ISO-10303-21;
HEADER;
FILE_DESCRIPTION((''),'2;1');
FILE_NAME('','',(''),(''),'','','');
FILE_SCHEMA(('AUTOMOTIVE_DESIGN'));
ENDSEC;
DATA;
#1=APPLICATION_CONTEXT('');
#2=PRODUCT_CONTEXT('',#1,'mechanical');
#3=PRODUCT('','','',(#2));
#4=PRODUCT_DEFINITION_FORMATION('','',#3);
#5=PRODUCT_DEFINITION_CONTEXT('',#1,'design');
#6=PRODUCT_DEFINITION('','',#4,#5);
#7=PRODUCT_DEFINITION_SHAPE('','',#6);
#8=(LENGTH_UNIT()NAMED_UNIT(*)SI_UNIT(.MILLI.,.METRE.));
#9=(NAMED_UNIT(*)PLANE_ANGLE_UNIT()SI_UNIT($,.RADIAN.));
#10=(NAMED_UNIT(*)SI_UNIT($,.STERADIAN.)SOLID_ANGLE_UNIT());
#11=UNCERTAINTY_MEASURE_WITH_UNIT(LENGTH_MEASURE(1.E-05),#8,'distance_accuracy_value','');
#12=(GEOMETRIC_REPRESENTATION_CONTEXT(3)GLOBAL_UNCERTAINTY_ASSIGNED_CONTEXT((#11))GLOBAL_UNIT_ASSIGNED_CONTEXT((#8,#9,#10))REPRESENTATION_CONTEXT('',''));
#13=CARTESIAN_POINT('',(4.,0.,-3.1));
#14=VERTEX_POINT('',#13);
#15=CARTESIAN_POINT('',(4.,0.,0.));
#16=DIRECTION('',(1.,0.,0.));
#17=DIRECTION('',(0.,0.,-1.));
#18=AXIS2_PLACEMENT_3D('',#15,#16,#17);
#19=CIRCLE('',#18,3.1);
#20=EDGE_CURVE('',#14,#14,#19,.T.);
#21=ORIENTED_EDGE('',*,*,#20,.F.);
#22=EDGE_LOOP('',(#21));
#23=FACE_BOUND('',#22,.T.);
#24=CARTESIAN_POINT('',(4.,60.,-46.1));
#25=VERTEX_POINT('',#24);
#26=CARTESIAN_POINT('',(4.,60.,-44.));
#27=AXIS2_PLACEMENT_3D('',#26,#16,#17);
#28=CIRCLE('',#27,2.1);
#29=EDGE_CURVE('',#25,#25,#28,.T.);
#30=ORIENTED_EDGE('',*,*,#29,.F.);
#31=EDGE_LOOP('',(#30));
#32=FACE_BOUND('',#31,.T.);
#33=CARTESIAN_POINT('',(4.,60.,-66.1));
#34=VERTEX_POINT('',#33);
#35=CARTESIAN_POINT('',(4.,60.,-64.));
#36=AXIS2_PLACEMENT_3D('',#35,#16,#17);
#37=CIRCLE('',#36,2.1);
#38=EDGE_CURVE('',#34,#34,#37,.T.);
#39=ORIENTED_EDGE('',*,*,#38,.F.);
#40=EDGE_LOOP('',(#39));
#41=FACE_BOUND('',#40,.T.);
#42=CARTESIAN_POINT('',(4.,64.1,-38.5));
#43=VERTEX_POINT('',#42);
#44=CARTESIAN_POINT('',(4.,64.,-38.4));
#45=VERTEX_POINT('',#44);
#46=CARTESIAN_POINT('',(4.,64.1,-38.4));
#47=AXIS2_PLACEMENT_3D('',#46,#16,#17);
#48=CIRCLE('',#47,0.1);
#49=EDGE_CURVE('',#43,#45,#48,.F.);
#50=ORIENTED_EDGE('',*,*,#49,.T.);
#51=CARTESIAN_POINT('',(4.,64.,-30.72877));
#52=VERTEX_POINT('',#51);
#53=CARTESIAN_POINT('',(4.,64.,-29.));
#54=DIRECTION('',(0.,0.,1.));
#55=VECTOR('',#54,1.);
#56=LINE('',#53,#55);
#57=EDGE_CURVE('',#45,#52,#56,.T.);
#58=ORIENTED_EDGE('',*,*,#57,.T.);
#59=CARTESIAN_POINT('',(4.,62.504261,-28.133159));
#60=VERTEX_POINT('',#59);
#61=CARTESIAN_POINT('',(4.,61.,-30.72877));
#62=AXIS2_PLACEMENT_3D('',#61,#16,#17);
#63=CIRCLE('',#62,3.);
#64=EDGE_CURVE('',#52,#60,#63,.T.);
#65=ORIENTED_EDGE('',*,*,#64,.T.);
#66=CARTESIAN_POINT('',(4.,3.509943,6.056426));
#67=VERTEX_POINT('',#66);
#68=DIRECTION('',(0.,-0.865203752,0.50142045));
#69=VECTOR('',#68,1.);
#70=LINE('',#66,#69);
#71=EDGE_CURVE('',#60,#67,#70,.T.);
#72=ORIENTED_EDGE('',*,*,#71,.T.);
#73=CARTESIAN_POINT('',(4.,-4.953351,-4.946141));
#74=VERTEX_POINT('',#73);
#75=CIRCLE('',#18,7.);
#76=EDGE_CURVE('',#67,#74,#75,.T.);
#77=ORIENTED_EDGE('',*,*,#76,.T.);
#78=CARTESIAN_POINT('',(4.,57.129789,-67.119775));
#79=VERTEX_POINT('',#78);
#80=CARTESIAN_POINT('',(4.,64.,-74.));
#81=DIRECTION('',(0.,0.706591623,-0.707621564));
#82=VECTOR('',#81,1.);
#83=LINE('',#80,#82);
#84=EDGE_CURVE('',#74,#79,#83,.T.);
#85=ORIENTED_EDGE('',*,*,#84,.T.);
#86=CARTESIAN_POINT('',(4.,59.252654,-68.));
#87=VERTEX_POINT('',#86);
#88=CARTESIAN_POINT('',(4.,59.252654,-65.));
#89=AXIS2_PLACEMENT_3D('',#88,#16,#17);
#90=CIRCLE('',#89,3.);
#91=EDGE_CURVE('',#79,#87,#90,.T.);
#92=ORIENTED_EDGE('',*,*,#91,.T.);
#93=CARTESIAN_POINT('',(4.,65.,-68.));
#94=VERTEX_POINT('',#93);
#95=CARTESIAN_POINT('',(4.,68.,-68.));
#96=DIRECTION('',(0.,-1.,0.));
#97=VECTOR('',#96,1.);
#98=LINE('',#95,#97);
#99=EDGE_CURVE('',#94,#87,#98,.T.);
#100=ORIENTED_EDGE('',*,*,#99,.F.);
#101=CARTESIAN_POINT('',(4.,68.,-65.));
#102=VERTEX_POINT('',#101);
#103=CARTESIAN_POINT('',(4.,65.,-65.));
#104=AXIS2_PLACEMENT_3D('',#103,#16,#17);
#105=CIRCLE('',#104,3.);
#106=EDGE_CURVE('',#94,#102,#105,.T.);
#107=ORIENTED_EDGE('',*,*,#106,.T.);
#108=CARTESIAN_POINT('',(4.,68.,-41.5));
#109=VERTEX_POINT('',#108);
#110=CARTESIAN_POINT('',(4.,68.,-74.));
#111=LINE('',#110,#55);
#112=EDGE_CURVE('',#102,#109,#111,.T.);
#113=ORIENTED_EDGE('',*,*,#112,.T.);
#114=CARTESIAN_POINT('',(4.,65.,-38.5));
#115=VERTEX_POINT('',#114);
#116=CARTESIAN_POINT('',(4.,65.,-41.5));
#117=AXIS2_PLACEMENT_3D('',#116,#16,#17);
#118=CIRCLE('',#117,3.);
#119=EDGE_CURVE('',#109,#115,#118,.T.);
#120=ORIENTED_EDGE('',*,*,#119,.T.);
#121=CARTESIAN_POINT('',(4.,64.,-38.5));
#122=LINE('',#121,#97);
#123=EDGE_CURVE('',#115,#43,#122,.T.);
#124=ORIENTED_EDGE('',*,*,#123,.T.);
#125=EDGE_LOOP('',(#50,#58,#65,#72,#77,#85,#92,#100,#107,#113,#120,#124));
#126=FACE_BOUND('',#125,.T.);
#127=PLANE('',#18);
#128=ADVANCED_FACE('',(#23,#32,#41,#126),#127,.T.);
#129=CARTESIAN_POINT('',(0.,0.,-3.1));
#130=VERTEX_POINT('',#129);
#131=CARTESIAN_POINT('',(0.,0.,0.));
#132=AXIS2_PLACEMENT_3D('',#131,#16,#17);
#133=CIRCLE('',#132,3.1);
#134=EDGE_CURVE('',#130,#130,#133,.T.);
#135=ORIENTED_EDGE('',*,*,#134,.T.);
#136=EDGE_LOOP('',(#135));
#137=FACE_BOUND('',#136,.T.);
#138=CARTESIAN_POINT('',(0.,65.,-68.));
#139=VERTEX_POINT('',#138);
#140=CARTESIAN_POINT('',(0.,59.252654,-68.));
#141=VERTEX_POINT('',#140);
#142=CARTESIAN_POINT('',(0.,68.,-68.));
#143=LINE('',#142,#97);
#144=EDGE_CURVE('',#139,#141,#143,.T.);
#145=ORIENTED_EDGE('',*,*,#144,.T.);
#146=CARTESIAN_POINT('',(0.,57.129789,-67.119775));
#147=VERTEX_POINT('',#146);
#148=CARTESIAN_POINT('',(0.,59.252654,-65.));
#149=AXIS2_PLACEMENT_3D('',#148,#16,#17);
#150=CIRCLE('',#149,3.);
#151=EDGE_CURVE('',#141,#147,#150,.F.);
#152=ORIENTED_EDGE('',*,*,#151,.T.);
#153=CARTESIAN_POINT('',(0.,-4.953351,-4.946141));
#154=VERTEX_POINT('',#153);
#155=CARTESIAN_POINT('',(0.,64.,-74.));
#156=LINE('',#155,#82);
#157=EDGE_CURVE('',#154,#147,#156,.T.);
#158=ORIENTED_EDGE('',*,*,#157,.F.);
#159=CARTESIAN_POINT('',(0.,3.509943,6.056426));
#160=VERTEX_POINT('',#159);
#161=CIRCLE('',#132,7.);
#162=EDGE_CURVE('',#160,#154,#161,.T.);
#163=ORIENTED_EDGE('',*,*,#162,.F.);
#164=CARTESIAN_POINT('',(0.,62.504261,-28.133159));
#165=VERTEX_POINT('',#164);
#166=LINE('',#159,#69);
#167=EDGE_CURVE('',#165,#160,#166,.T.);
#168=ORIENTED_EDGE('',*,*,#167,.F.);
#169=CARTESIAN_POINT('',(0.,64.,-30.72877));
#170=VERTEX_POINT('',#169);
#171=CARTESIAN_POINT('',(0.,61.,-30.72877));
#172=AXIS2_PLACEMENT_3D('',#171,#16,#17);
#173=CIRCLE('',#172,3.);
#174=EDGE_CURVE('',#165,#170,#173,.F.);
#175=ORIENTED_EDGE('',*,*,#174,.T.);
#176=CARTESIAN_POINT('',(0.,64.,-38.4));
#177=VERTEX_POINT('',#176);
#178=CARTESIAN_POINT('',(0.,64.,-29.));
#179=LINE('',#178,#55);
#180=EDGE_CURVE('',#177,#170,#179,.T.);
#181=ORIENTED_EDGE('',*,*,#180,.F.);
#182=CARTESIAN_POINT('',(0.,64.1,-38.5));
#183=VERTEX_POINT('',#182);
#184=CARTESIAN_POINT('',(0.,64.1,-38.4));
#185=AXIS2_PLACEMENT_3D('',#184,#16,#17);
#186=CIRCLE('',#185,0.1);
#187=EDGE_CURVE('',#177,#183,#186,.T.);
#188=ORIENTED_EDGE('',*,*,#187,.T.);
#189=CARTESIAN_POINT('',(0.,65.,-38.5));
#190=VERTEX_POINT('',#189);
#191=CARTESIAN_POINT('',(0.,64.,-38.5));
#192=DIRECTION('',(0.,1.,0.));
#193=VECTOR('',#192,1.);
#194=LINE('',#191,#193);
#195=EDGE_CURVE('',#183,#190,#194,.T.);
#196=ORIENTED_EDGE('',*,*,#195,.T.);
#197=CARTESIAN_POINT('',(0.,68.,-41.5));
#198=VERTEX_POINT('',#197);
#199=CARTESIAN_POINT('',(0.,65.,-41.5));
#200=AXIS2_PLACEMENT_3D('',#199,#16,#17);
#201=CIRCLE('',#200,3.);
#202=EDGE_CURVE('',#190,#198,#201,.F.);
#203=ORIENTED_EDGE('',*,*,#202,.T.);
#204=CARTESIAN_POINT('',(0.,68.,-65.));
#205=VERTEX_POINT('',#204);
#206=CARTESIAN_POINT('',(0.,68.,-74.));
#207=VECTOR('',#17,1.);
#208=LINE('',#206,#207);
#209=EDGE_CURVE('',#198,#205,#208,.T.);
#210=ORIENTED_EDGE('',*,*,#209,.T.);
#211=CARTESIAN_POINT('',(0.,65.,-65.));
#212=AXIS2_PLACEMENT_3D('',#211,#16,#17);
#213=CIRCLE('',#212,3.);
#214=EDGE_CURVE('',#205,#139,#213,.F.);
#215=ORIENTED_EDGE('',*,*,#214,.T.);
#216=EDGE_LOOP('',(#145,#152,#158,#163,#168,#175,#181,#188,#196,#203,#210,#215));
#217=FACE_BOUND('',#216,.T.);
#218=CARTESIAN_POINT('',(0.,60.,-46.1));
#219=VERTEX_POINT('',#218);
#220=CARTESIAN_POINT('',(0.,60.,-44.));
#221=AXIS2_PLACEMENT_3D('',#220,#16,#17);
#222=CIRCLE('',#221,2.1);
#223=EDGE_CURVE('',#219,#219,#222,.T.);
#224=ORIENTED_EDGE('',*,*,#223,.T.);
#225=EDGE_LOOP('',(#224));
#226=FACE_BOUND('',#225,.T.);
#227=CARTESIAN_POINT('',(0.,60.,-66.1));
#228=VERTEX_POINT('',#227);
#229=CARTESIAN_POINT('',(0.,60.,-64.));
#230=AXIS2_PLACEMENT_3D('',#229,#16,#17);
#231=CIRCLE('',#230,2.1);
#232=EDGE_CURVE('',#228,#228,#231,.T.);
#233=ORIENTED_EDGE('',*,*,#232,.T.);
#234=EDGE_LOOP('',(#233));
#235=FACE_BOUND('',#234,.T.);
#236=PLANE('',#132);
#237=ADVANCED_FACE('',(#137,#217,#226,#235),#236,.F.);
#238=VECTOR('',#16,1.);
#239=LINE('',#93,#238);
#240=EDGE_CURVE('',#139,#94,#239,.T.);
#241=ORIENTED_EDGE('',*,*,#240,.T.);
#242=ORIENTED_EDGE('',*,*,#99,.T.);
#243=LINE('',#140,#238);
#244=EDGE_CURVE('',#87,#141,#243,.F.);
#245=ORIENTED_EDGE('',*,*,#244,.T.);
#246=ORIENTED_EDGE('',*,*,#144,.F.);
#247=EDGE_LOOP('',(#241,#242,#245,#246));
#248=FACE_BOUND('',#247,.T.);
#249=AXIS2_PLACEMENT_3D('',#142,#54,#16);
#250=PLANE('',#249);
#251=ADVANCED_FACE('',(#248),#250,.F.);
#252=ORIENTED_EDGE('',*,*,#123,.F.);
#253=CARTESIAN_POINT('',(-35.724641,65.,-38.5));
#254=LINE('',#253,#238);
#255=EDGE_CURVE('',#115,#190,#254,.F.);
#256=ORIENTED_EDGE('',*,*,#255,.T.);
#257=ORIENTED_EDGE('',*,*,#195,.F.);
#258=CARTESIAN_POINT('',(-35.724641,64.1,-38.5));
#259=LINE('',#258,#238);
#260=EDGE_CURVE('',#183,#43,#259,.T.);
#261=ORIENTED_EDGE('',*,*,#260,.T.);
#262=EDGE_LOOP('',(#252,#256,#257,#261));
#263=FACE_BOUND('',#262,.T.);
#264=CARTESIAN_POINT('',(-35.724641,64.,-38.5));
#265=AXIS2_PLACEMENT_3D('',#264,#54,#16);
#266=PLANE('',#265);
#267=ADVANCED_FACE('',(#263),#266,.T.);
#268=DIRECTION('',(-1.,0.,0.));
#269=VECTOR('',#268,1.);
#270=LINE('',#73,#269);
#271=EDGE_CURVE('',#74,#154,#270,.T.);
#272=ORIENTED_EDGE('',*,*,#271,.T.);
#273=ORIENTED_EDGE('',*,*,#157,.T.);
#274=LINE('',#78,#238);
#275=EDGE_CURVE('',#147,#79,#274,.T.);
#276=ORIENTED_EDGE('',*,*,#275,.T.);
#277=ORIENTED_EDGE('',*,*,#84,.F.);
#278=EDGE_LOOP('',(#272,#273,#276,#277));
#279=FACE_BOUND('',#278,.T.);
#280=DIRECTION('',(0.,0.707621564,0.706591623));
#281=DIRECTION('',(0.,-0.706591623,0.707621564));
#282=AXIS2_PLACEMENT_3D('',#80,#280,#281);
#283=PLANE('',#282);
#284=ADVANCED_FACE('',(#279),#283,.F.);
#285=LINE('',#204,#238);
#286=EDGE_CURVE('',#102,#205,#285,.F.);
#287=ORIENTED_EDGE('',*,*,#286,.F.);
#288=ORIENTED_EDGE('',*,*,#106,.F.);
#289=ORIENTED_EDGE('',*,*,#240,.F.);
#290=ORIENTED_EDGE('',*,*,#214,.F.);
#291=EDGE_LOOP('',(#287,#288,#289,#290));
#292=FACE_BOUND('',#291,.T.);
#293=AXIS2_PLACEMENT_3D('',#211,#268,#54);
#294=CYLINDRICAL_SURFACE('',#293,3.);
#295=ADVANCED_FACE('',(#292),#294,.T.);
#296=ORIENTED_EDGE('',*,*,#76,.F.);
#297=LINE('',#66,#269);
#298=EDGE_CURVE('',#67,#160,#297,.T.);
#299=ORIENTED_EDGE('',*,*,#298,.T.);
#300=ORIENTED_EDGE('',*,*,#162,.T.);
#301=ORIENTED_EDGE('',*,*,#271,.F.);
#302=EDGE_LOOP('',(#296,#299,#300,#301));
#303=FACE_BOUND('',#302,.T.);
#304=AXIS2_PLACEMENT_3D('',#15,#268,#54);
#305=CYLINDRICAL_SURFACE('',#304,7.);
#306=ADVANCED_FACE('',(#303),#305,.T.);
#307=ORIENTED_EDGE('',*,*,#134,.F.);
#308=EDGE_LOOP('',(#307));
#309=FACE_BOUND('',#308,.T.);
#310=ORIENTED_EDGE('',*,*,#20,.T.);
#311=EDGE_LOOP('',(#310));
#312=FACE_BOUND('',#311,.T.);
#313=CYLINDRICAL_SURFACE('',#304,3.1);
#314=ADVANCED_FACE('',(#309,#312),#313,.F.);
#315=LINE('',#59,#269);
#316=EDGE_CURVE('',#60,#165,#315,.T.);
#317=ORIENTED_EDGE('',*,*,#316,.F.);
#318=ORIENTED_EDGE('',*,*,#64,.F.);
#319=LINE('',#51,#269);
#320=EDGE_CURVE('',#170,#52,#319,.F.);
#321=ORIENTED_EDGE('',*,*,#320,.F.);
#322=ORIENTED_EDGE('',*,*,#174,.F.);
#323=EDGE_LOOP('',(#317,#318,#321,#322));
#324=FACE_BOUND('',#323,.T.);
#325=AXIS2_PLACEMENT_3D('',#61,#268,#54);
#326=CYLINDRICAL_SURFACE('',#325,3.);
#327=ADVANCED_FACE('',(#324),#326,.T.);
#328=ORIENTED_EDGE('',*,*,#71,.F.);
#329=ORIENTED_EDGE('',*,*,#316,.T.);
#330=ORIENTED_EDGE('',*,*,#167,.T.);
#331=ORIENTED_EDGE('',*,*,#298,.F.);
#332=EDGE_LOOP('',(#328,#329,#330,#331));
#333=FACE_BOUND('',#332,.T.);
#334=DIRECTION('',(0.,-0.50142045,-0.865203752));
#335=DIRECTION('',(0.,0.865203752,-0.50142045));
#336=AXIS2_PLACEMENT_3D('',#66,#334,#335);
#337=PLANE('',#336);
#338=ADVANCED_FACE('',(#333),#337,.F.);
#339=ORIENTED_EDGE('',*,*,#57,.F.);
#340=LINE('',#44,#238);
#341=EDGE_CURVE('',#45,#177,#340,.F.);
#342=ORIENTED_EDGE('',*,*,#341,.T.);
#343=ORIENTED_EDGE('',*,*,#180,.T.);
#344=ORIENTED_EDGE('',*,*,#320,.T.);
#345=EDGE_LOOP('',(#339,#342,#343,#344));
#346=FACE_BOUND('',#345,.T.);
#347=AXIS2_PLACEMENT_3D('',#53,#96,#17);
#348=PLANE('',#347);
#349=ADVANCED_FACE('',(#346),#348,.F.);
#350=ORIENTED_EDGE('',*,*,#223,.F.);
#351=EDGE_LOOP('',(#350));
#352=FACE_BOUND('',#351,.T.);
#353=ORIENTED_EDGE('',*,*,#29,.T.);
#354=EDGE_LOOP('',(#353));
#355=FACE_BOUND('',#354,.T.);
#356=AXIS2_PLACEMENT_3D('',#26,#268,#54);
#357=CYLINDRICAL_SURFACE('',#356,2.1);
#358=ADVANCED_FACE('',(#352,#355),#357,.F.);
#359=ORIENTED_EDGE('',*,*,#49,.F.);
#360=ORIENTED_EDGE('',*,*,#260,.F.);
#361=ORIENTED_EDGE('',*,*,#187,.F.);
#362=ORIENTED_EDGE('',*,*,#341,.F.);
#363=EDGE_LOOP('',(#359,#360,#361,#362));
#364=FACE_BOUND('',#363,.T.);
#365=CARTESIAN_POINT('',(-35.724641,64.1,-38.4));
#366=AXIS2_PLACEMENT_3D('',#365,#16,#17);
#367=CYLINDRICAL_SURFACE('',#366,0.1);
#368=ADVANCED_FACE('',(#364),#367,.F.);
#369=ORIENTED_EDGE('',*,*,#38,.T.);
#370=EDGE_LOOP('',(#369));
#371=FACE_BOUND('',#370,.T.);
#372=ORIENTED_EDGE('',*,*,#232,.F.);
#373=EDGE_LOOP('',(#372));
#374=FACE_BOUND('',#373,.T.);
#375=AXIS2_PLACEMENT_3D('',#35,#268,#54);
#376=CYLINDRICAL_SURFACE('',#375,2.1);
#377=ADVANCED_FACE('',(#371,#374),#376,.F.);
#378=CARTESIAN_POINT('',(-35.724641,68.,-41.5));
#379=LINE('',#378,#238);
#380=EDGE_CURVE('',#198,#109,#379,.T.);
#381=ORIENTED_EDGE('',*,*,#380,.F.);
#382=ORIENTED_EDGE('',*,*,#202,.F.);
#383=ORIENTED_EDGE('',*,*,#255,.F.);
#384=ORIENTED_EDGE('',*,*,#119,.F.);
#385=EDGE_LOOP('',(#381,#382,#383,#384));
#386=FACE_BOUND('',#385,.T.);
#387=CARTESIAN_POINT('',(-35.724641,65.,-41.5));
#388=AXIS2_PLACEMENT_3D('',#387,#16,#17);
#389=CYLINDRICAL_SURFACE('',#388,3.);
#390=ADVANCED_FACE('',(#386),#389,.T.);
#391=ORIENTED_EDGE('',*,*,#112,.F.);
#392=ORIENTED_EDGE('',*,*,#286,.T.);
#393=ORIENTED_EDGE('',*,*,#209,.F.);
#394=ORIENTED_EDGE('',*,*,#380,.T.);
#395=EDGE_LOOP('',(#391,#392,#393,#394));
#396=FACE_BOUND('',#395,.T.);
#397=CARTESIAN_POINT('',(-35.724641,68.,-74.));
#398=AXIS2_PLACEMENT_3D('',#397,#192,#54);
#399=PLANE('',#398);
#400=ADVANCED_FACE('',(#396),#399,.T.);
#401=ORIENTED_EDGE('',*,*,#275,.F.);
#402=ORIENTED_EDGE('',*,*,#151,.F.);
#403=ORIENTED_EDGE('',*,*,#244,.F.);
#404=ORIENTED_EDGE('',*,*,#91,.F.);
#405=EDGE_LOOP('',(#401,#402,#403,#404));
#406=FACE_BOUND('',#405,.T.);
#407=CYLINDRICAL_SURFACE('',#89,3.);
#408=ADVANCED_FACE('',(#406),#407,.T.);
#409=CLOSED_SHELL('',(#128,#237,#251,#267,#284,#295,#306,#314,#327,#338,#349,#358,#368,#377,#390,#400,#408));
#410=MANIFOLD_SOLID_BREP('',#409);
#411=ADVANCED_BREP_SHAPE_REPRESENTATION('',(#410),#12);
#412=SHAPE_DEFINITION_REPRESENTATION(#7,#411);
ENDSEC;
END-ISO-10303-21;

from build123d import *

# Parameters (mm, degrees)
SKETCH_1_R          = 3.1
SKETCH_1_R_2        = 2.1
EXTRUDE_1_DEPTH     = 4
SKETCH_2_W          = 35.5
SKETCH_2_H          = 4
EXTRUDE_2_DEPTH     = 4
CUT_EXTRUDE_1_DEPTH = 5
FILLET_1_R          = 3
FILLET_2_R          = 0.1


with BuildPart() as part:
    # 草图1 → 凸台-拉伸1 (new body)
    with BuildSketch(Plane(origin=(0, 0, 0), x_dir=(0, 0, -1), z_dir=(1, 0, 0))):
        with BuildLine():
            Line((-6.056426263, 3.50994315), (29, 64))
            Line((29, 64), (74, 64))
            Line((74, 64), (4.946141362, -4.95335095))
            ThreePointArc((4.946141362, -4.95335095), (-4.267905798, -5.548421406), (-6.056426263, 3.50994315))
        make_face()
        Circle(SKETCH_1_R, mode=Mode.SUBTRACT)
        with Locations((44, 60)):
            Circle(SKETCH_1_R_2, mode=Mode.SUBTRACT)
        with Locations((64, 60)):
            Circle(SKETCH_1_R_2, mode=Mode.SUBTRACT)
    extrude(amount=EXTRUDE_1_DEPTH)

    # 草图2 → 凸台-拉伸2 (add)
    with BuildSketch(Plane(origin=(4, 0, 0), x_dir=(0, 0, -1), z_dir=(1, 0, 0))):
        with Locations((56.25, 66)):
            Rectangle(SKETCH_2_W, SKETCH_2_H)
    extrude(amount=-EXTRUDE_2_DEPTH)

    # 草图3 → 切除-拉伸1 (cut, through all)
    with BuildSketch(Plane(origin=(4, 0, 0), x_dir=(0, 0, -1), z_dir=(1, 0, 0))):
        Polygon((74, 68), (68, 68), (68, 58.008732982), (74, 64), align=None)
    extrude(amount=-CUT_EXTRUDE_1_DEPTH, mode=Mode.SUBTRACT)

    # 圆角1
    fillet_1_edges = [part.edges().sort_by_distance(p)[0] for p in [
        (2, 68, -38.5),
        (2, 58.008732982, -68),
        (2, 68, -68),
        (2, 64, -29),
    ]]
    fillet(fillet_1_edges, radius=FILLET_1_R)

    # 圆角2
    fillet_2_edges = [part.edges().sort_by_distance(p)[0] for p in [
        (2, 64, -38.5),
    ]]
    fillet(fillet_2_edges, radius=FILLET_2_R)


solid = part.part
